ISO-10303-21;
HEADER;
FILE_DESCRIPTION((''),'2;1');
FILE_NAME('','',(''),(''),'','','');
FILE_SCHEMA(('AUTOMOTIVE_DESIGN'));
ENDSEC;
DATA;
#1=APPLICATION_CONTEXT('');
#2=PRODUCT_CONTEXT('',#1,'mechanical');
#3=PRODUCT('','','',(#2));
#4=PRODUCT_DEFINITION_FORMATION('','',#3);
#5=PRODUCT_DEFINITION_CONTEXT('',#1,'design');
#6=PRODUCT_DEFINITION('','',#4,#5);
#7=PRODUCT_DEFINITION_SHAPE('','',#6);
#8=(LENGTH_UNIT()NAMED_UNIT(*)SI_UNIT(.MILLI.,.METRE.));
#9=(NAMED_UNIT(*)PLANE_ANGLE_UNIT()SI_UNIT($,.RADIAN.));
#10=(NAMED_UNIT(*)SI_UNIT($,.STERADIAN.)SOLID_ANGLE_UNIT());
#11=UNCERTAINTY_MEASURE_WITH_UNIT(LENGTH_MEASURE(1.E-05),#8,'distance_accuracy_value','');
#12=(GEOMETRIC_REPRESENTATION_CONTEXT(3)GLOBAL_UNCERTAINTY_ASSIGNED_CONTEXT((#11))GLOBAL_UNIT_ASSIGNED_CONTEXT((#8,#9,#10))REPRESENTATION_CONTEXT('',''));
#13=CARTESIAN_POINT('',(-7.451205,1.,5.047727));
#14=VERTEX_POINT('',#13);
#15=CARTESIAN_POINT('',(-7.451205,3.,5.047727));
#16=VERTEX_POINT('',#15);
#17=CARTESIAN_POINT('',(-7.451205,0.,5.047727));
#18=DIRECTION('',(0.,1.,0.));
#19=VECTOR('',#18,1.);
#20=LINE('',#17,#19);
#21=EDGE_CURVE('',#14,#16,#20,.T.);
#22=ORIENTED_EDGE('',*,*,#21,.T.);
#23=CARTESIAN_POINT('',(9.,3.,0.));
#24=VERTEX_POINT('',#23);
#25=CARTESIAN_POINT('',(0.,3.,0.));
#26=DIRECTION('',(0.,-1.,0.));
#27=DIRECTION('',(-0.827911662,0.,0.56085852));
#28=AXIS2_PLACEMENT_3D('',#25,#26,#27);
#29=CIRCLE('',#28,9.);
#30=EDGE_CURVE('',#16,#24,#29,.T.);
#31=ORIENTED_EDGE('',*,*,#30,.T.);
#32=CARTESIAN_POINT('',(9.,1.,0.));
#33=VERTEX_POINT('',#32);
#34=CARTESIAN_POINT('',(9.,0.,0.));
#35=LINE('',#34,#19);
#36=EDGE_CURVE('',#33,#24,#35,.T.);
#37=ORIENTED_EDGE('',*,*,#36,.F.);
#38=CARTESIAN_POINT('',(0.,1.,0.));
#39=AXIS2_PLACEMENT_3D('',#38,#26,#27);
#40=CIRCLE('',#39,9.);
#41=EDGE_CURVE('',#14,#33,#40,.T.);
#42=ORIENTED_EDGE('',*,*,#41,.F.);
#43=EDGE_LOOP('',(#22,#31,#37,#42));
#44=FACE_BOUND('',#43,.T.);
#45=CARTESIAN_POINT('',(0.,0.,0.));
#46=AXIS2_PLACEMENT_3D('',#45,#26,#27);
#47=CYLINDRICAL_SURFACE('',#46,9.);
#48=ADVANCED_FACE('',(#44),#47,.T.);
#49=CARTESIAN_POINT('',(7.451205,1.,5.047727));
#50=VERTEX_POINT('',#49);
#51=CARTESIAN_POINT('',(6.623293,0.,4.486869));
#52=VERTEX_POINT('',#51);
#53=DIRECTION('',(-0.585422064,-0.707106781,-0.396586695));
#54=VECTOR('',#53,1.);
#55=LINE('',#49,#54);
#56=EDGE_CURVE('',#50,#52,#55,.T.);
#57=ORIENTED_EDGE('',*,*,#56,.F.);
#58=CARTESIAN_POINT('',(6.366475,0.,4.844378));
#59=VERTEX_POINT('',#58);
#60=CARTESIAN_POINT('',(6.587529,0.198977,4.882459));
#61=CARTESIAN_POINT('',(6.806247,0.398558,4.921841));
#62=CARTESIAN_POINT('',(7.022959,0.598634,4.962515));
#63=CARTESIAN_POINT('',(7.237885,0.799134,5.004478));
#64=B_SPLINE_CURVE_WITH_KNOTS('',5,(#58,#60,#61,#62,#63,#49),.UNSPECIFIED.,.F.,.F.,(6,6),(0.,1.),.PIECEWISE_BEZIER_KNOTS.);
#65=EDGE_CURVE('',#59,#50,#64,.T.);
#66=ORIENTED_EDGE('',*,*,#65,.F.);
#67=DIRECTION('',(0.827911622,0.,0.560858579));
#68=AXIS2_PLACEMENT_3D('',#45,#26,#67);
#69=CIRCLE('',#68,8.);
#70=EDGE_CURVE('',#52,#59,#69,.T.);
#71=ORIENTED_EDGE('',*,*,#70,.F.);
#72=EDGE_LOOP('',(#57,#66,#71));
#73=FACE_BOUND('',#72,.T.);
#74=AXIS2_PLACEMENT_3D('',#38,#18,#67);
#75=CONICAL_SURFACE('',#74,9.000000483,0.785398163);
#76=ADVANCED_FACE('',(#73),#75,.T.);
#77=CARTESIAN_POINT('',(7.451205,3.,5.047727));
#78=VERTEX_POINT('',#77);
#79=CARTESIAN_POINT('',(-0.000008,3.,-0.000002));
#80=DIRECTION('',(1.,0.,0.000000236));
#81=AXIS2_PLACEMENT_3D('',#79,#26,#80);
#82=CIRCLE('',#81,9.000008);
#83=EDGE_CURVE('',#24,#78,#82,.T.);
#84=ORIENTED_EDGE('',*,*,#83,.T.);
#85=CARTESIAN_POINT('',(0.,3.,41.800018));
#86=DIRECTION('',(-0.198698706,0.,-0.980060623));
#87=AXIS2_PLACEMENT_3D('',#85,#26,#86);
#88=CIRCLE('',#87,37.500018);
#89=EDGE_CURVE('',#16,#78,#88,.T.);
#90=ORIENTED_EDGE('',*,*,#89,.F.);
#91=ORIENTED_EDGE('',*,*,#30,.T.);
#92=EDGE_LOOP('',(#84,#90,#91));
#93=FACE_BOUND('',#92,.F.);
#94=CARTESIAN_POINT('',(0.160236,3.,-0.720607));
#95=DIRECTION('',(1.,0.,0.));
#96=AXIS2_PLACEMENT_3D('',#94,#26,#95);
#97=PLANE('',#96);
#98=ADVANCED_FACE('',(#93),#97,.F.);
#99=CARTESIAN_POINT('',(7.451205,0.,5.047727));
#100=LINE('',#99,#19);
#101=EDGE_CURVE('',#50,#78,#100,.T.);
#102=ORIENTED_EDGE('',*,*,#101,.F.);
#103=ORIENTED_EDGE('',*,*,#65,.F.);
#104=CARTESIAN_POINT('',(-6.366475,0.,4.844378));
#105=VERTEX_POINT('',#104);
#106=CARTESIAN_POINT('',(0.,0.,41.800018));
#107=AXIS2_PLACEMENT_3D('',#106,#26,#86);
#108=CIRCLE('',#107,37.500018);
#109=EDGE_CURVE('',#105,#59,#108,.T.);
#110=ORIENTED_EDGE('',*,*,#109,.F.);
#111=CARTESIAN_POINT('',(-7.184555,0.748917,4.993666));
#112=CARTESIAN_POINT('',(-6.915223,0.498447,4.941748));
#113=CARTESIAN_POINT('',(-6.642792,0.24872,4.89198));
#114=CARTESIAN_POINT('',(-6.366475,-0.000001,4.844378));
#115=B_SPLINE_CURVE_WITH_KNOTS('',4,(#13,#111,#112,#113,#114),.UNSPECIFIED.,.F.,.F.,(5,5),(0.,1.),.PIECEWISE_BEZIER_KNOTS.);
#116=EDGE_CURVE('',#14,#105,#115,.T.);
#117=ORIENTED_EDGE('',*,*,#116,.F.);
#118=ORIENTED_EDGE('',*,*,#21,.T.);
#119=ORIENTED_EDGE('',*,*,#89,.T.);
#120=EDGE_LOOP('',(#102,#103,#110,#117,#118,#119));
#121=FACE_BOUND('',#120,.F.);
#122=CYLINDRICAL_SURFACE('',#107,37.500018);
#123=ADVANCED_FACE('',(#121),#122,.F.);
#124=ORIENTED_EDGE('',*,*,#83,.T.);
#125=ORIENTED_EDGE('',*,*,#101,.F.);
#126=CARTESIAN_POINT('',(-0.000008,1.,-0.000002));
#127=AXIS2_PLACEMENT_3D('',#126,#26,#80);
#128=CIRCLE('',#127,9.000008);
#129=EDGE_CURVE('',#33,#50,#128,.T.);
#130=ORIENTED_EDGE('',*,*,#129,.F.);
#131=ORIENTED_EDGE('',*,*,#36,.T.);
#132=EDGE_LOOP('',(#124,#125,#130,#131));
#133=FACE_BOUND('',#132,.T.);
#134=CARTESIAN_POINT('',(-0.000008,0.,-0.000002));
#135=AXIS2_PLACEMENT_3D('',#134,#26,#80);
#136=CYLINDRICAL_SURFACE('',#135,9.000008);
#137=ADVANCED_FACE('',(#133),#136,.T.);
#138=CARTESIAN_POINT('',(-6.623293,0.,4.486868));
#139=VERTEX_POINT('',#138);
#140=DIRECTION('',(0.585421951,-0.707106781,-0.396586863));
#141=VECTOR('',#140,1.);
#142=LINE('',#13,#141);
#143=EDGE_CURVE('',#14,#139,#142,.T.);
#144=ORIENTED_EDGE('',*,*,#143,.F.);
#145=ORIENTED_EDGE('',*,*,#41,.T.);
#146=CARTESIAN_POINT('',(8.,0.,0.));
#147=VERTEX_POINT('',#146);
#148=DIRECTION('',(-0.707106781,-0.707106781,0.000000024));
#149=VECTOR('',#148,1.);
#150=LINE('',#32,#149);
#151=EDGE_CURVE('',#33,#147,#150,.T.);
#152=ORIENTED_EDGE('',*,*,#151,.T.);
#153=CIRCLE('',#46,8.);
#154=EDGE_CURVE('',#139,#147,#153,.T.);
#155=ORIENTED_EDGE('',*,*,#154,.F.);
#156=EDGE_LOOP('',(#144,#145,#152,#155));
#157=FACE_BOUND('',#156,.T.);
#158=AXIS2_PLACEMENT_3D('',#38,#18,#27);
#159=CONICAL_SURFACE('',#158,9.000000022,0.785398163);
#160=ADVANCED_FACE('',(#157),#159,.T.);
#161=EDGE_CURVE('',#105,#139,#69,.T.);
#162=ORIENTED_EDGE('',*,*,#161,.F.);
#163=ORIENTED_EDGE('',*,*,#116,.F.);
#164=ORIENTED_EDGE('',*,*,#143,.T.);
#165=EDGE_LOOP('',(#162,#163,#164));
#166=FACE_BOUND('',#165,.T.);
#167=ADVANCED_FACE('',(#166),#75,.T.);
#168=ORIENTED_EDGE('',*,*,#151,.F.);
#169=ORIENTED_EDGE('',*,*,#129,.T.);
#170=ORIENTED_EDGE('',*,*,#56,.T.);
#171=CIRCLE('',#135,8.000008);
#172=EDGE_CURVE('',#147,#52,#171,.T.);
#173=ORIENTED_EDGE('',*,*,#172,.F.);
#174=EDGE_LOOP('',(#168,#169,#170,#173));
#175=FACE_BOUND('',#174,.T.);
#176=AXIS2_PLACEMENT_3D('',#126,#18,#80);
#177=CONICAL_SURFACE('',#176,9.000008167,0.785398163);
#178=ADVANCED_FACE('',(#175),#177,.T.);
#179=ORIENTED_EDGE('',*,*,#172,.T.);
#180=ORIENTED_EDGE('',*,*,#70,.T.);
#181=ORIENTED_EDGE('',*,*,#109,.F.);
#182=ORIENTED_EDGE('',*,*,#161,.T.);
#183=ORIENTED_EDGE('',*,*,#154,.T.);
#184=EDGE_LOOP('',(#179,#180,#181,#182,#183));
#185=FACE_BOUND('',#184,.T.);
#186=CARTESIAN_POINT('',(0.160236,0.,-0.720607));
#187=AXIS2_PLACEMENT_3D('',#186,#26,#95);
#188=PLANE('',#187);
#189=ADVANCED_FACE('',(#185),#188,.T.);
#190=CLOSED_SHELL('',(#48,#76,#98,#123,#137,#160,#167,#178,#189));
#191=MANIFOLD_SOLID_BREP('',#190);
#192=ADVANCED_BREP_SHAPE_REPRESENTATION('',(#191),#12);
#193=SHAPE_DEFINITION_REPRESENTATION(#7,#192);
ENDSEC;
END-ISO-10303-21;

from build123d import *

# Parameters (mm, degrees)
F1_DEPTH = 3
F2_SIZE  = 1
F3_DEPTH = 3.001


with BuildPart() as f1:
    # F0 (on Front) → F1 (new body)
    with BuildSketch(Plane.XZ):
        with BuildLine():
            ThreePointArc((-7.451205, 5.047727), (-2.639996, -8.604093), (9, 0))
            ThreePointArc((9, 0), (8.604093, 2.639996), (7.451205, 5.047727))
            ThreePointArc((7.451205, 5.047727), (0, 4.3), (-7.451205, 5.047727))
        make_face()
        with BuildLine():
            ThreePointArc((-7.451205, 5.047727), (0, 4.3), (7.451205, 5.047727))
            ThreePointArc((7.451205, 5.047727), (0, 9), (-7.451205, 5.047727))
        make_face()
    extrude(amount=-F1_DEPTH)

    # F2
    f2_edges = [f1.edges().sort_by_distance(p)[0] for p in [
        (-9, 0, 0),
    ]]
    chamfer(f2_edges, length=F2_SIZE)

    # F0 (on Front) → F3 (cut, through all)
    with BuildSketch(Plane.XZ):
        with BuildLine():
            ThreePointArc((-7.451205, 5.047727), (0, 4.3), (7.451205, 5.047727))
            ThreePointArc((7.451205, 5.047727), (0, 9), (-7.451205, 5.047727))
        make_face()
    extrude(amount=-F3_DEPTH, mode=Mode.SUBTRACT)


solid = f1.part
